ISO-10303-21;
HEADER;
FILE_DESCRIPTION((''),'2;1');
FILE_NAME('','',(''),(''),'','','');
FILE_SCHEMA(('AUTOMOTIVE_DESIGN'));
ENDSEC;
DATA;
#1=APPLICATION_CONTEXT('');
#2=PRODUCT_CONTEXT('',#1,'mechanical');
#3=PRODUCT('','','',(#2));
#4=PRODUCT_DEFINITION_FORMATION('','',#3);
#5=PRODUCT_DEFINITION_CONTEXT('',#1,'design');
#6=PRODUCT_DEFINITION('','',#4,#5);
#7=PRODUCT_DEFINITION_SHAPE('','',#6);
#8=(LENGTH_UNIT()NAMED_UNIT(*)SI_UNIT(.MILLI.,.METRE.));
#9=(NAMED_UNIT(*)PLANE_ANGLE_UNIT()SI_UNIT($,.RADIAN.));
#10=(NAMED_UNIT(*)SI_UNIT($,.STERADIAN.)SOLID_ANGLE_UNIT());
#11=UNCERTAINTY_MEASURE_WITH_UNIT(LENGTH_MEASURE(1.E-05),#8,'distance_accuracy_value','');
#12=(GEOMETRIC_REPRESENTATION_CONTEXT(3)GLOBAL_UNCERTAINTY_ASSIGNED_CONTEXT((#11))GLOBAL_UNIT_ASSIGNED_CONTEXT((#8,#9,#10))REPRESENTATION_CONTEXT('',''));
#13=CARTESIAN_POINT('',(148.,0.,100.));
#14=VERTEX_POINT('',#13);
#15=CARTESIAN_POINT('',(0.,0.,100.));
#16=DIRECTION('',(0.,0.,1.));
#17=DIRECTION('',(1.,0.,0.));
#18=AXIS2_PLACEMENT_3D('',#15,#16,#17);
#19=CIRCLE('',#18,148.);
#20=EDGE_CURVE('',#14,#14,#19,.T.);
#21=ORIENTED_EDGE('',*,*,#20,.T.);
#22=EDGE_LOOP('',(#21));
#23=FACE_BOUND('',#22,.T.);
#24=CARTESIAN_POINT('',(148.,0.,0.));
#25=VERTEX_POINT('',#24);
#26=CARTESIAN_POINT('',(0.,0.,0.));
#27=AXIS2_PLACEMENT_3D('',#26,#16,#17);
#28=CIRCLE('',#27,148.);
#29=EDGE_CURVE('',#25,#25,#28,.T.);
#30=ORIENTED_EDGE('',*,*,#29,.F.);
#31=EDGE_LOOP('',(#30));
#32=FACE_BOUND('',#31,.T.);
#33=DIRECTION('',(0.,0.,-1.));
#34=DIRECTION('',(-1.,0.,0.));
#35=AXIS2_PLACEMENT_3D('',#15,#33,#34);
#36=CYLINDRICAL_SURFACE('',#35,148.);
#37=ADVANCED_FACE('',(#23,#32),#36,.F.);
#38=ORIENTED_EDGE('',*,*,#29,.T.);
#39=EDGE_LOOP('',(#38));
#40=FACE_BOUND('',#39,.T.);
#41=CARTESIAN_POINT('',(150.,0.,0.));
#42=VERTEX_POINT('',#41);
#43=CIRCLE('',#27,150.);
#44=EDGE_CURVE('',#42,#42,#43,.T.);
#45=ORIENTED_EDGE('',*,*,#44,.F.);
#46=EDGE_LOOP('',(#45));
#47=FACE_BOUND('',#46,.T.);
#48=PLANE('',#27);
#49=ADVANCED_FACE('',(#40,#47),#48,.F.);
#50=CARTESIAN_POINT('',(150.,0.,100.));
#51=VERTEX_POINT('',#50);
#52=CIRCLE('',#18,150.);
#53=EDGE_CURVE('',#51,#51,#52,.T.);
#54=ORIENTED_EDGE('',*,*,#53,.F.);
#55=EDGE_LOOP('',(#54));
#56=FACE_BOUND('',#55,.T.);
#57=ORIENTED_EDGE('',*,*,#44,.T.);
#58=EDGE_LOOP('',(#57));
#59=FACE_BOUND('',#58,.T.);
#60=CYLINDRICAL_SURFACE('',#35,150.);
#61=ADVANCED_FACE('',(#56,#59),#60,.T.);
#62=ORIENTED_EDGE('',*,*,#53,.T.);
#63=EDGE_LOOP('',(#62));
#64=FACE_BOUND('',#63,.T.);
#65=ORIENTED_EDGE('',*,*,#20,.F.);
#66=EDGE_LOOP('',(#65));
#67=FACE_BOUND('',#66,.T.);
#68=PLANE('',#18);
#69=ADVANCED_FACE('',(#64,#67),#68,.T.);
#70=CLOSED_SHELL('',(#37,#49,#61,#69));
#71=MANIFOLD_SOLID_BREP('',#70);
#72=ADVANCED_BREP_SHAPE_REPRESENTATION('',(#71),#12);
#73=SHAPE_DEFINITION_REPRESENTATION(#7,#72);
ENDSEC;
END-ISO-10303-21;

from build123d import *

# Parameters (mm, degrees)
SKETCH_1_R      = 150
SKETCH_1_R_2    = 148
EXTRUDE_1_DEPTH = 100


with BuildPart() as part:
    # 草图1 → 凸台-拉伸1 (new body)
    with BuildSketch(Plane.XY):
        Circle(SKETCH_1_R)
        Circle(SKETCH_1_R_2, mode=Mode.SUBTRACT)
    extrude(amount=EXTRUDE_1_DEPTH)


solid = part.part
